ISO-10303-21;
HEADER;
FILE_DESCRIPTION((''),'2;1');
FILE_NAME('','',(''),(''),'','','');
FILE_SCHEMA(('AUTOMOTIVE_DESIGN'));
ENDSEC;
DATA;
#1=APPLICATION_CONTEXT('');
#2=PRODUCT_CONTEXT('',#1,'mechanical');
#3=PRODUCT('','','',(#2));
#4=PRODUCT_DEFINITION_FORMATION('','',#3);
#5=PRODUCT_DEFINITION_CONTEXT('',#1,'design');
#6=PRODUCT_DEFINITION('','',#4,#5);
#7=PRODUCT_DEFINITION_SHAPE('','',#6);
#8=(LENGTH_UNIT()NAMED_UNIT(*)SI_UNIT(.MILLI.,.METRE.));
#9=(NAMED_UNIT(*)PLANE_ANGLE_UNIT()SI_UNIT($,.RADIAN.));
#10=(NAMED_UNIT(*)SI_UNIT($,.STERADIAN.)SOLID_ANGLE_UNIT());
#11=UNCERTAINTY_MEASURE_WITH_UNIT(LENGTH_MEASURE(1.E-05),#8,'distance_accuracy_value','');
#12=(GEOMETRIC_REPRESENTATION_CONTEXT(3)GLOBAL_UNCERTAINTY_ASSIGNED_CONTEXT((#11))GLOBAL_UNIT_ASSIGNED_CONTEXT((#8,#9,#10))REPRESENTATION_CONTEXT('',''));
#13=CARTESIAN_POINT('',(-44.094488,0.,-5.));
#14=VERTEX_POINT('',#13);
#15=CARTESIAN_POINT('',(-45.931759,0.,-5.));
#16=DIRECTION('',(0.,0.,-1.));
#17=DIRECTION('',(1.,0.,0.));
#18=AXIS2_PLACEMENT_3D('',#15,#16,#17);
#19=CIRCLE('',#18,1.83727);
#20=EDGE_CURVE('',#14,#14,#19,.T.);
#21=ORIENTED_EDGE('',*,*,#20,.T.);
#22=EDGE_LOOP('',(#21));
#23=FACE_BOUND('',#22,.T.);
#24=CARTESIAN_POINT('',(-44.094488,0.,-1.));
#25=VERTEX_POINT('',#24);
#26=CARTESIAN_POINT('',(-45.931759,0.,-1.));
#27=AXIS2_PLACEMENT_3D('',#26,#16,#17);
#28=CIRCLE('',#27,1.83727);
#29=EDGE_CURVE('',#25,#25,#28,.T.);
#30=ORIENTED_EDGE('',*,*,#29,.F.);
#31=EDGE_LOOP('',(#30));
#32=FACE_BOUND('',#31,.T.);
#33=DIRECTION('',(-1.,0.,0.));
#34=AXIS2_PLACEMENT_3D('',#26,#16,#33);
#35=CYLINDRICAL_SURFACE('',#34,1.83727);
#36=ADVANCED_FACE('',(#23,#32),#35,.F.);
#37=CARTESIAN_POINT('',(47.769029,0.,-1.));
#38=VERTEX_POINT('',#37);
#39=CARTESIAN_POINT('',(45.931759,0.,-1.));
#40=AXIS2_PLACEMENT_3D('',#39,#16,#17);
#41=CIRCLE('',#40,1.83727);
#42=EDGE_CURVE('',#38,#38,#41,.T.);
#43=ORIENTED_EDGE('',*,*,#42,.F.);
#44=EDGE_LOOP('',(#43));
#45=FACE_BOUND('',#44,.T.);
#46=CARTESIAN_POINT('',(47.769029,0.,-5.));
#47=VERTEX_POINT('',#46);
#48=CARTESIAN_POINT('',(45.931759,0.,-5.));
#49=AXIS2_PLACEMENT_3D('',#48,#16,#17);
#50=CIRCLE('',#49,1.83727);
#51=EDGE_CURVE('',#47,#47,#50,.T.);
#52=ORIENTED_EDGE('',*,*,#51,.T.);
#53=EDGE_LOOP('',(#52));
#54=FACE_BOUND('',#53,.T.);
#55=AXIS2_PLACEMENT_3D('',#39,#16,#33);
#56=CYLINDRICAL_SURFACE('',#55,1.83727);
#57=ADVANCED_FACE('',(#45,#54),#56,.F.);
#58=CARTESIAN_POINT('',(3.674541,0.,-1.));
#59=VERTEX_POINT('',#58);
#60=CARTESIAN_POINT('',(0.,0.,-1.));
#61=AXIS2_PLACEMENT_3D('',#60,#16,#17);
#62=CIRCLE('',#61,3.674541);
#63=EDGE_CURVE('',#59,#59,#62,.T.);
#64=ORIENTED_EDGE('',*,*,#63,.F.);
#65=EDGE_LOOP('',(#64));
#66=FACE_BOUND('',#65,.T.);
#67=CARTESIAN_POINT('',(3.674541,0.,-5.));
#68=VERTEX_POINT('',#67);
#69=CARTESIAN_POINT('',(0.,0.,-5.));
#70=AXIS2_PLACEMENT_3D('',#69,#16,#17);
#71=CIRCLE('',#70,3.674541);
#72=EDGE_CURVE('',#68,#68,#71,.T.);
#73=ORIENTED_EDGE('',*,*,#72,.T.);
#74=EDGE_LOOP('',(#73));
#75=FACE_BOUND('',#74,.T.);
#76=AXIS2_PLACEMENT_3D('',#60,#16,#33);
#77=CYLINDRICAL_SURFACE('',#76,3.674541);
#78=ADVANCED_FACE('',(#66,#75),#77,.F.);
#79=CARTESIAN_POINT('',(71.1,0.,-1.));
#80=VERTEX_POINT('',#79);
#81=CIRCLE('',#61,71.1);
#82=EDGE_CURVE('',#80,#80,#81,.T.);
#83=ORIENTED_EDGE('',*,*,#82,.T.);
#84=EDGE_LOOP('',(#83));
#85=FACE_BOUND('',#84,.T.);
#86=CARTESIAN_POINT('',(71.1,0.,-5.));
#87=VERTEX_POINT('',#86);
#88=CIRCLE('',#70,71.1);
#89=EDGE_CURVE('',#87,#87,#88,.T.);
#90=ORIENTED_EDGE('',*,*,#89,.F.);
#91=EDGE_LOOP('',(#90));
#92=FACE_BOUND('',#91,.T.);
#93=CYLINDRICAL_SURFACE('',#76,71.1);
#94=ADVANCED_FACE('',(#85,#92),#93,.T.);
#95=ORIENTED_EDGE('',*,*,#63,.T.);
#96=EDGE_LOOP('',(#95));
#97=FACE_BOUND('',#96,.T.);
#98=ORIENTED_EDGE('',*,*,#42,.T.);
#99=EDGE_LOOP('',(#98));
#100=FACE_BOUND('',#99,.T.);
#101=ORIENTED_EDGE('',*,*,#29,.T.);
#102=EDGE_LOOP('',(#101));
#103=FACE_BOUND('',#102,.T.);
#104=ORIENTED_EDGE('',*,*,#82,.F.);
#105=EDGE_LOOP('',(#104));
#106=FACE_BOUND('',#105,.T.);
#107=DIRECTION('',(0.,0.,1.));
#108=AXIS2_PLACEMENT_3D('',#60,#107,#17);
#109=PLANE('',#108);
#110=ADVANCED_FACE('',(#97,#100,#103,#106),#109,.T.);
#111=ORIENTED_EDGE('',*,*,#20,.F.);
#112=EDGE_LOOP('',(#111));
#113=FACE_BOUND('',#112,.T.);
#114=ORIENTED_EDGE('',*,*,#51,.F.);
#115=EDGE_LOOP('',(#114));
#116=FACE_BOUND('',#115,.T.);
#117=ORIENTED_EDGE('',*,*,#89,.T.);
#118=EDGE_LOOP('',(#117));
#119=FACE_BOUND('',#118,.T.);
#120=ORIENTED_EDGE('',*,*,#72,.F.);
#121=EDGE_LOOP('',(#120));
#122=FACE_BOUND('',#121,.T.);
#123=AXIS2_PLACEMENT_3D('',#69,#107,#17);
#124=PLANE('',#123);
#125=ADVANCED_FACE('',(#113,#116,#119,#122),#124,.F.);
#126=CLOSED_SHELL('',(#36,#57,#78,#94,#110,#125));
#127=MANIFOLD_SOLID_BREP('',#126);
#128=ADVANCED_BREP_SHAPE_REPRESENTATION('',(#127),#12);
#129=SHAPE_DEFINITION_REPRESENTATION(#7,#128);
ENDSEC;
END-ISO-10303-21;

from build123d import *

# Parameters (mm, degrees)
SKETCH1_R           = 71.1
SKETCH1_R_2         = 1.837270341
SKETCH1_R_3         = 3.674540682
BOSS_EXTRUDE1_DEPTH = 4


with BuildPart() as part:
    # Sketch1 → Boss-Extrude1 (new body)
    with BuildSketch(Plane(origin=(0, 0, -5), x_dir=(-1, 0, 0), z_dir=(0, 0, -1))):
        with Locations(Location((0, 0, 0), (0, 0, 180))):
            Circle(SKETCH1_R)
        with Locations(Location((45.93175853, 0, 0), (0, 0, 180))):
            Circle(SKETCH1_R_2, mode=Mode.SUBTRACT)
        with Locations(Location((-45.93175853, 0, 0), (0, 0, 180))):
            Circle(SKETCH1_R_2, mode=Mode.SUBTRACT)
        with Locations(Location((0, 0, 0), (0, 0, 180))):
            Circle(SKETCH1_R_3, mode=Mode.SUBTRACT)
    extrude(amount=-BOSS_EXTRUDE1_DEPTH)


solid = part.part
